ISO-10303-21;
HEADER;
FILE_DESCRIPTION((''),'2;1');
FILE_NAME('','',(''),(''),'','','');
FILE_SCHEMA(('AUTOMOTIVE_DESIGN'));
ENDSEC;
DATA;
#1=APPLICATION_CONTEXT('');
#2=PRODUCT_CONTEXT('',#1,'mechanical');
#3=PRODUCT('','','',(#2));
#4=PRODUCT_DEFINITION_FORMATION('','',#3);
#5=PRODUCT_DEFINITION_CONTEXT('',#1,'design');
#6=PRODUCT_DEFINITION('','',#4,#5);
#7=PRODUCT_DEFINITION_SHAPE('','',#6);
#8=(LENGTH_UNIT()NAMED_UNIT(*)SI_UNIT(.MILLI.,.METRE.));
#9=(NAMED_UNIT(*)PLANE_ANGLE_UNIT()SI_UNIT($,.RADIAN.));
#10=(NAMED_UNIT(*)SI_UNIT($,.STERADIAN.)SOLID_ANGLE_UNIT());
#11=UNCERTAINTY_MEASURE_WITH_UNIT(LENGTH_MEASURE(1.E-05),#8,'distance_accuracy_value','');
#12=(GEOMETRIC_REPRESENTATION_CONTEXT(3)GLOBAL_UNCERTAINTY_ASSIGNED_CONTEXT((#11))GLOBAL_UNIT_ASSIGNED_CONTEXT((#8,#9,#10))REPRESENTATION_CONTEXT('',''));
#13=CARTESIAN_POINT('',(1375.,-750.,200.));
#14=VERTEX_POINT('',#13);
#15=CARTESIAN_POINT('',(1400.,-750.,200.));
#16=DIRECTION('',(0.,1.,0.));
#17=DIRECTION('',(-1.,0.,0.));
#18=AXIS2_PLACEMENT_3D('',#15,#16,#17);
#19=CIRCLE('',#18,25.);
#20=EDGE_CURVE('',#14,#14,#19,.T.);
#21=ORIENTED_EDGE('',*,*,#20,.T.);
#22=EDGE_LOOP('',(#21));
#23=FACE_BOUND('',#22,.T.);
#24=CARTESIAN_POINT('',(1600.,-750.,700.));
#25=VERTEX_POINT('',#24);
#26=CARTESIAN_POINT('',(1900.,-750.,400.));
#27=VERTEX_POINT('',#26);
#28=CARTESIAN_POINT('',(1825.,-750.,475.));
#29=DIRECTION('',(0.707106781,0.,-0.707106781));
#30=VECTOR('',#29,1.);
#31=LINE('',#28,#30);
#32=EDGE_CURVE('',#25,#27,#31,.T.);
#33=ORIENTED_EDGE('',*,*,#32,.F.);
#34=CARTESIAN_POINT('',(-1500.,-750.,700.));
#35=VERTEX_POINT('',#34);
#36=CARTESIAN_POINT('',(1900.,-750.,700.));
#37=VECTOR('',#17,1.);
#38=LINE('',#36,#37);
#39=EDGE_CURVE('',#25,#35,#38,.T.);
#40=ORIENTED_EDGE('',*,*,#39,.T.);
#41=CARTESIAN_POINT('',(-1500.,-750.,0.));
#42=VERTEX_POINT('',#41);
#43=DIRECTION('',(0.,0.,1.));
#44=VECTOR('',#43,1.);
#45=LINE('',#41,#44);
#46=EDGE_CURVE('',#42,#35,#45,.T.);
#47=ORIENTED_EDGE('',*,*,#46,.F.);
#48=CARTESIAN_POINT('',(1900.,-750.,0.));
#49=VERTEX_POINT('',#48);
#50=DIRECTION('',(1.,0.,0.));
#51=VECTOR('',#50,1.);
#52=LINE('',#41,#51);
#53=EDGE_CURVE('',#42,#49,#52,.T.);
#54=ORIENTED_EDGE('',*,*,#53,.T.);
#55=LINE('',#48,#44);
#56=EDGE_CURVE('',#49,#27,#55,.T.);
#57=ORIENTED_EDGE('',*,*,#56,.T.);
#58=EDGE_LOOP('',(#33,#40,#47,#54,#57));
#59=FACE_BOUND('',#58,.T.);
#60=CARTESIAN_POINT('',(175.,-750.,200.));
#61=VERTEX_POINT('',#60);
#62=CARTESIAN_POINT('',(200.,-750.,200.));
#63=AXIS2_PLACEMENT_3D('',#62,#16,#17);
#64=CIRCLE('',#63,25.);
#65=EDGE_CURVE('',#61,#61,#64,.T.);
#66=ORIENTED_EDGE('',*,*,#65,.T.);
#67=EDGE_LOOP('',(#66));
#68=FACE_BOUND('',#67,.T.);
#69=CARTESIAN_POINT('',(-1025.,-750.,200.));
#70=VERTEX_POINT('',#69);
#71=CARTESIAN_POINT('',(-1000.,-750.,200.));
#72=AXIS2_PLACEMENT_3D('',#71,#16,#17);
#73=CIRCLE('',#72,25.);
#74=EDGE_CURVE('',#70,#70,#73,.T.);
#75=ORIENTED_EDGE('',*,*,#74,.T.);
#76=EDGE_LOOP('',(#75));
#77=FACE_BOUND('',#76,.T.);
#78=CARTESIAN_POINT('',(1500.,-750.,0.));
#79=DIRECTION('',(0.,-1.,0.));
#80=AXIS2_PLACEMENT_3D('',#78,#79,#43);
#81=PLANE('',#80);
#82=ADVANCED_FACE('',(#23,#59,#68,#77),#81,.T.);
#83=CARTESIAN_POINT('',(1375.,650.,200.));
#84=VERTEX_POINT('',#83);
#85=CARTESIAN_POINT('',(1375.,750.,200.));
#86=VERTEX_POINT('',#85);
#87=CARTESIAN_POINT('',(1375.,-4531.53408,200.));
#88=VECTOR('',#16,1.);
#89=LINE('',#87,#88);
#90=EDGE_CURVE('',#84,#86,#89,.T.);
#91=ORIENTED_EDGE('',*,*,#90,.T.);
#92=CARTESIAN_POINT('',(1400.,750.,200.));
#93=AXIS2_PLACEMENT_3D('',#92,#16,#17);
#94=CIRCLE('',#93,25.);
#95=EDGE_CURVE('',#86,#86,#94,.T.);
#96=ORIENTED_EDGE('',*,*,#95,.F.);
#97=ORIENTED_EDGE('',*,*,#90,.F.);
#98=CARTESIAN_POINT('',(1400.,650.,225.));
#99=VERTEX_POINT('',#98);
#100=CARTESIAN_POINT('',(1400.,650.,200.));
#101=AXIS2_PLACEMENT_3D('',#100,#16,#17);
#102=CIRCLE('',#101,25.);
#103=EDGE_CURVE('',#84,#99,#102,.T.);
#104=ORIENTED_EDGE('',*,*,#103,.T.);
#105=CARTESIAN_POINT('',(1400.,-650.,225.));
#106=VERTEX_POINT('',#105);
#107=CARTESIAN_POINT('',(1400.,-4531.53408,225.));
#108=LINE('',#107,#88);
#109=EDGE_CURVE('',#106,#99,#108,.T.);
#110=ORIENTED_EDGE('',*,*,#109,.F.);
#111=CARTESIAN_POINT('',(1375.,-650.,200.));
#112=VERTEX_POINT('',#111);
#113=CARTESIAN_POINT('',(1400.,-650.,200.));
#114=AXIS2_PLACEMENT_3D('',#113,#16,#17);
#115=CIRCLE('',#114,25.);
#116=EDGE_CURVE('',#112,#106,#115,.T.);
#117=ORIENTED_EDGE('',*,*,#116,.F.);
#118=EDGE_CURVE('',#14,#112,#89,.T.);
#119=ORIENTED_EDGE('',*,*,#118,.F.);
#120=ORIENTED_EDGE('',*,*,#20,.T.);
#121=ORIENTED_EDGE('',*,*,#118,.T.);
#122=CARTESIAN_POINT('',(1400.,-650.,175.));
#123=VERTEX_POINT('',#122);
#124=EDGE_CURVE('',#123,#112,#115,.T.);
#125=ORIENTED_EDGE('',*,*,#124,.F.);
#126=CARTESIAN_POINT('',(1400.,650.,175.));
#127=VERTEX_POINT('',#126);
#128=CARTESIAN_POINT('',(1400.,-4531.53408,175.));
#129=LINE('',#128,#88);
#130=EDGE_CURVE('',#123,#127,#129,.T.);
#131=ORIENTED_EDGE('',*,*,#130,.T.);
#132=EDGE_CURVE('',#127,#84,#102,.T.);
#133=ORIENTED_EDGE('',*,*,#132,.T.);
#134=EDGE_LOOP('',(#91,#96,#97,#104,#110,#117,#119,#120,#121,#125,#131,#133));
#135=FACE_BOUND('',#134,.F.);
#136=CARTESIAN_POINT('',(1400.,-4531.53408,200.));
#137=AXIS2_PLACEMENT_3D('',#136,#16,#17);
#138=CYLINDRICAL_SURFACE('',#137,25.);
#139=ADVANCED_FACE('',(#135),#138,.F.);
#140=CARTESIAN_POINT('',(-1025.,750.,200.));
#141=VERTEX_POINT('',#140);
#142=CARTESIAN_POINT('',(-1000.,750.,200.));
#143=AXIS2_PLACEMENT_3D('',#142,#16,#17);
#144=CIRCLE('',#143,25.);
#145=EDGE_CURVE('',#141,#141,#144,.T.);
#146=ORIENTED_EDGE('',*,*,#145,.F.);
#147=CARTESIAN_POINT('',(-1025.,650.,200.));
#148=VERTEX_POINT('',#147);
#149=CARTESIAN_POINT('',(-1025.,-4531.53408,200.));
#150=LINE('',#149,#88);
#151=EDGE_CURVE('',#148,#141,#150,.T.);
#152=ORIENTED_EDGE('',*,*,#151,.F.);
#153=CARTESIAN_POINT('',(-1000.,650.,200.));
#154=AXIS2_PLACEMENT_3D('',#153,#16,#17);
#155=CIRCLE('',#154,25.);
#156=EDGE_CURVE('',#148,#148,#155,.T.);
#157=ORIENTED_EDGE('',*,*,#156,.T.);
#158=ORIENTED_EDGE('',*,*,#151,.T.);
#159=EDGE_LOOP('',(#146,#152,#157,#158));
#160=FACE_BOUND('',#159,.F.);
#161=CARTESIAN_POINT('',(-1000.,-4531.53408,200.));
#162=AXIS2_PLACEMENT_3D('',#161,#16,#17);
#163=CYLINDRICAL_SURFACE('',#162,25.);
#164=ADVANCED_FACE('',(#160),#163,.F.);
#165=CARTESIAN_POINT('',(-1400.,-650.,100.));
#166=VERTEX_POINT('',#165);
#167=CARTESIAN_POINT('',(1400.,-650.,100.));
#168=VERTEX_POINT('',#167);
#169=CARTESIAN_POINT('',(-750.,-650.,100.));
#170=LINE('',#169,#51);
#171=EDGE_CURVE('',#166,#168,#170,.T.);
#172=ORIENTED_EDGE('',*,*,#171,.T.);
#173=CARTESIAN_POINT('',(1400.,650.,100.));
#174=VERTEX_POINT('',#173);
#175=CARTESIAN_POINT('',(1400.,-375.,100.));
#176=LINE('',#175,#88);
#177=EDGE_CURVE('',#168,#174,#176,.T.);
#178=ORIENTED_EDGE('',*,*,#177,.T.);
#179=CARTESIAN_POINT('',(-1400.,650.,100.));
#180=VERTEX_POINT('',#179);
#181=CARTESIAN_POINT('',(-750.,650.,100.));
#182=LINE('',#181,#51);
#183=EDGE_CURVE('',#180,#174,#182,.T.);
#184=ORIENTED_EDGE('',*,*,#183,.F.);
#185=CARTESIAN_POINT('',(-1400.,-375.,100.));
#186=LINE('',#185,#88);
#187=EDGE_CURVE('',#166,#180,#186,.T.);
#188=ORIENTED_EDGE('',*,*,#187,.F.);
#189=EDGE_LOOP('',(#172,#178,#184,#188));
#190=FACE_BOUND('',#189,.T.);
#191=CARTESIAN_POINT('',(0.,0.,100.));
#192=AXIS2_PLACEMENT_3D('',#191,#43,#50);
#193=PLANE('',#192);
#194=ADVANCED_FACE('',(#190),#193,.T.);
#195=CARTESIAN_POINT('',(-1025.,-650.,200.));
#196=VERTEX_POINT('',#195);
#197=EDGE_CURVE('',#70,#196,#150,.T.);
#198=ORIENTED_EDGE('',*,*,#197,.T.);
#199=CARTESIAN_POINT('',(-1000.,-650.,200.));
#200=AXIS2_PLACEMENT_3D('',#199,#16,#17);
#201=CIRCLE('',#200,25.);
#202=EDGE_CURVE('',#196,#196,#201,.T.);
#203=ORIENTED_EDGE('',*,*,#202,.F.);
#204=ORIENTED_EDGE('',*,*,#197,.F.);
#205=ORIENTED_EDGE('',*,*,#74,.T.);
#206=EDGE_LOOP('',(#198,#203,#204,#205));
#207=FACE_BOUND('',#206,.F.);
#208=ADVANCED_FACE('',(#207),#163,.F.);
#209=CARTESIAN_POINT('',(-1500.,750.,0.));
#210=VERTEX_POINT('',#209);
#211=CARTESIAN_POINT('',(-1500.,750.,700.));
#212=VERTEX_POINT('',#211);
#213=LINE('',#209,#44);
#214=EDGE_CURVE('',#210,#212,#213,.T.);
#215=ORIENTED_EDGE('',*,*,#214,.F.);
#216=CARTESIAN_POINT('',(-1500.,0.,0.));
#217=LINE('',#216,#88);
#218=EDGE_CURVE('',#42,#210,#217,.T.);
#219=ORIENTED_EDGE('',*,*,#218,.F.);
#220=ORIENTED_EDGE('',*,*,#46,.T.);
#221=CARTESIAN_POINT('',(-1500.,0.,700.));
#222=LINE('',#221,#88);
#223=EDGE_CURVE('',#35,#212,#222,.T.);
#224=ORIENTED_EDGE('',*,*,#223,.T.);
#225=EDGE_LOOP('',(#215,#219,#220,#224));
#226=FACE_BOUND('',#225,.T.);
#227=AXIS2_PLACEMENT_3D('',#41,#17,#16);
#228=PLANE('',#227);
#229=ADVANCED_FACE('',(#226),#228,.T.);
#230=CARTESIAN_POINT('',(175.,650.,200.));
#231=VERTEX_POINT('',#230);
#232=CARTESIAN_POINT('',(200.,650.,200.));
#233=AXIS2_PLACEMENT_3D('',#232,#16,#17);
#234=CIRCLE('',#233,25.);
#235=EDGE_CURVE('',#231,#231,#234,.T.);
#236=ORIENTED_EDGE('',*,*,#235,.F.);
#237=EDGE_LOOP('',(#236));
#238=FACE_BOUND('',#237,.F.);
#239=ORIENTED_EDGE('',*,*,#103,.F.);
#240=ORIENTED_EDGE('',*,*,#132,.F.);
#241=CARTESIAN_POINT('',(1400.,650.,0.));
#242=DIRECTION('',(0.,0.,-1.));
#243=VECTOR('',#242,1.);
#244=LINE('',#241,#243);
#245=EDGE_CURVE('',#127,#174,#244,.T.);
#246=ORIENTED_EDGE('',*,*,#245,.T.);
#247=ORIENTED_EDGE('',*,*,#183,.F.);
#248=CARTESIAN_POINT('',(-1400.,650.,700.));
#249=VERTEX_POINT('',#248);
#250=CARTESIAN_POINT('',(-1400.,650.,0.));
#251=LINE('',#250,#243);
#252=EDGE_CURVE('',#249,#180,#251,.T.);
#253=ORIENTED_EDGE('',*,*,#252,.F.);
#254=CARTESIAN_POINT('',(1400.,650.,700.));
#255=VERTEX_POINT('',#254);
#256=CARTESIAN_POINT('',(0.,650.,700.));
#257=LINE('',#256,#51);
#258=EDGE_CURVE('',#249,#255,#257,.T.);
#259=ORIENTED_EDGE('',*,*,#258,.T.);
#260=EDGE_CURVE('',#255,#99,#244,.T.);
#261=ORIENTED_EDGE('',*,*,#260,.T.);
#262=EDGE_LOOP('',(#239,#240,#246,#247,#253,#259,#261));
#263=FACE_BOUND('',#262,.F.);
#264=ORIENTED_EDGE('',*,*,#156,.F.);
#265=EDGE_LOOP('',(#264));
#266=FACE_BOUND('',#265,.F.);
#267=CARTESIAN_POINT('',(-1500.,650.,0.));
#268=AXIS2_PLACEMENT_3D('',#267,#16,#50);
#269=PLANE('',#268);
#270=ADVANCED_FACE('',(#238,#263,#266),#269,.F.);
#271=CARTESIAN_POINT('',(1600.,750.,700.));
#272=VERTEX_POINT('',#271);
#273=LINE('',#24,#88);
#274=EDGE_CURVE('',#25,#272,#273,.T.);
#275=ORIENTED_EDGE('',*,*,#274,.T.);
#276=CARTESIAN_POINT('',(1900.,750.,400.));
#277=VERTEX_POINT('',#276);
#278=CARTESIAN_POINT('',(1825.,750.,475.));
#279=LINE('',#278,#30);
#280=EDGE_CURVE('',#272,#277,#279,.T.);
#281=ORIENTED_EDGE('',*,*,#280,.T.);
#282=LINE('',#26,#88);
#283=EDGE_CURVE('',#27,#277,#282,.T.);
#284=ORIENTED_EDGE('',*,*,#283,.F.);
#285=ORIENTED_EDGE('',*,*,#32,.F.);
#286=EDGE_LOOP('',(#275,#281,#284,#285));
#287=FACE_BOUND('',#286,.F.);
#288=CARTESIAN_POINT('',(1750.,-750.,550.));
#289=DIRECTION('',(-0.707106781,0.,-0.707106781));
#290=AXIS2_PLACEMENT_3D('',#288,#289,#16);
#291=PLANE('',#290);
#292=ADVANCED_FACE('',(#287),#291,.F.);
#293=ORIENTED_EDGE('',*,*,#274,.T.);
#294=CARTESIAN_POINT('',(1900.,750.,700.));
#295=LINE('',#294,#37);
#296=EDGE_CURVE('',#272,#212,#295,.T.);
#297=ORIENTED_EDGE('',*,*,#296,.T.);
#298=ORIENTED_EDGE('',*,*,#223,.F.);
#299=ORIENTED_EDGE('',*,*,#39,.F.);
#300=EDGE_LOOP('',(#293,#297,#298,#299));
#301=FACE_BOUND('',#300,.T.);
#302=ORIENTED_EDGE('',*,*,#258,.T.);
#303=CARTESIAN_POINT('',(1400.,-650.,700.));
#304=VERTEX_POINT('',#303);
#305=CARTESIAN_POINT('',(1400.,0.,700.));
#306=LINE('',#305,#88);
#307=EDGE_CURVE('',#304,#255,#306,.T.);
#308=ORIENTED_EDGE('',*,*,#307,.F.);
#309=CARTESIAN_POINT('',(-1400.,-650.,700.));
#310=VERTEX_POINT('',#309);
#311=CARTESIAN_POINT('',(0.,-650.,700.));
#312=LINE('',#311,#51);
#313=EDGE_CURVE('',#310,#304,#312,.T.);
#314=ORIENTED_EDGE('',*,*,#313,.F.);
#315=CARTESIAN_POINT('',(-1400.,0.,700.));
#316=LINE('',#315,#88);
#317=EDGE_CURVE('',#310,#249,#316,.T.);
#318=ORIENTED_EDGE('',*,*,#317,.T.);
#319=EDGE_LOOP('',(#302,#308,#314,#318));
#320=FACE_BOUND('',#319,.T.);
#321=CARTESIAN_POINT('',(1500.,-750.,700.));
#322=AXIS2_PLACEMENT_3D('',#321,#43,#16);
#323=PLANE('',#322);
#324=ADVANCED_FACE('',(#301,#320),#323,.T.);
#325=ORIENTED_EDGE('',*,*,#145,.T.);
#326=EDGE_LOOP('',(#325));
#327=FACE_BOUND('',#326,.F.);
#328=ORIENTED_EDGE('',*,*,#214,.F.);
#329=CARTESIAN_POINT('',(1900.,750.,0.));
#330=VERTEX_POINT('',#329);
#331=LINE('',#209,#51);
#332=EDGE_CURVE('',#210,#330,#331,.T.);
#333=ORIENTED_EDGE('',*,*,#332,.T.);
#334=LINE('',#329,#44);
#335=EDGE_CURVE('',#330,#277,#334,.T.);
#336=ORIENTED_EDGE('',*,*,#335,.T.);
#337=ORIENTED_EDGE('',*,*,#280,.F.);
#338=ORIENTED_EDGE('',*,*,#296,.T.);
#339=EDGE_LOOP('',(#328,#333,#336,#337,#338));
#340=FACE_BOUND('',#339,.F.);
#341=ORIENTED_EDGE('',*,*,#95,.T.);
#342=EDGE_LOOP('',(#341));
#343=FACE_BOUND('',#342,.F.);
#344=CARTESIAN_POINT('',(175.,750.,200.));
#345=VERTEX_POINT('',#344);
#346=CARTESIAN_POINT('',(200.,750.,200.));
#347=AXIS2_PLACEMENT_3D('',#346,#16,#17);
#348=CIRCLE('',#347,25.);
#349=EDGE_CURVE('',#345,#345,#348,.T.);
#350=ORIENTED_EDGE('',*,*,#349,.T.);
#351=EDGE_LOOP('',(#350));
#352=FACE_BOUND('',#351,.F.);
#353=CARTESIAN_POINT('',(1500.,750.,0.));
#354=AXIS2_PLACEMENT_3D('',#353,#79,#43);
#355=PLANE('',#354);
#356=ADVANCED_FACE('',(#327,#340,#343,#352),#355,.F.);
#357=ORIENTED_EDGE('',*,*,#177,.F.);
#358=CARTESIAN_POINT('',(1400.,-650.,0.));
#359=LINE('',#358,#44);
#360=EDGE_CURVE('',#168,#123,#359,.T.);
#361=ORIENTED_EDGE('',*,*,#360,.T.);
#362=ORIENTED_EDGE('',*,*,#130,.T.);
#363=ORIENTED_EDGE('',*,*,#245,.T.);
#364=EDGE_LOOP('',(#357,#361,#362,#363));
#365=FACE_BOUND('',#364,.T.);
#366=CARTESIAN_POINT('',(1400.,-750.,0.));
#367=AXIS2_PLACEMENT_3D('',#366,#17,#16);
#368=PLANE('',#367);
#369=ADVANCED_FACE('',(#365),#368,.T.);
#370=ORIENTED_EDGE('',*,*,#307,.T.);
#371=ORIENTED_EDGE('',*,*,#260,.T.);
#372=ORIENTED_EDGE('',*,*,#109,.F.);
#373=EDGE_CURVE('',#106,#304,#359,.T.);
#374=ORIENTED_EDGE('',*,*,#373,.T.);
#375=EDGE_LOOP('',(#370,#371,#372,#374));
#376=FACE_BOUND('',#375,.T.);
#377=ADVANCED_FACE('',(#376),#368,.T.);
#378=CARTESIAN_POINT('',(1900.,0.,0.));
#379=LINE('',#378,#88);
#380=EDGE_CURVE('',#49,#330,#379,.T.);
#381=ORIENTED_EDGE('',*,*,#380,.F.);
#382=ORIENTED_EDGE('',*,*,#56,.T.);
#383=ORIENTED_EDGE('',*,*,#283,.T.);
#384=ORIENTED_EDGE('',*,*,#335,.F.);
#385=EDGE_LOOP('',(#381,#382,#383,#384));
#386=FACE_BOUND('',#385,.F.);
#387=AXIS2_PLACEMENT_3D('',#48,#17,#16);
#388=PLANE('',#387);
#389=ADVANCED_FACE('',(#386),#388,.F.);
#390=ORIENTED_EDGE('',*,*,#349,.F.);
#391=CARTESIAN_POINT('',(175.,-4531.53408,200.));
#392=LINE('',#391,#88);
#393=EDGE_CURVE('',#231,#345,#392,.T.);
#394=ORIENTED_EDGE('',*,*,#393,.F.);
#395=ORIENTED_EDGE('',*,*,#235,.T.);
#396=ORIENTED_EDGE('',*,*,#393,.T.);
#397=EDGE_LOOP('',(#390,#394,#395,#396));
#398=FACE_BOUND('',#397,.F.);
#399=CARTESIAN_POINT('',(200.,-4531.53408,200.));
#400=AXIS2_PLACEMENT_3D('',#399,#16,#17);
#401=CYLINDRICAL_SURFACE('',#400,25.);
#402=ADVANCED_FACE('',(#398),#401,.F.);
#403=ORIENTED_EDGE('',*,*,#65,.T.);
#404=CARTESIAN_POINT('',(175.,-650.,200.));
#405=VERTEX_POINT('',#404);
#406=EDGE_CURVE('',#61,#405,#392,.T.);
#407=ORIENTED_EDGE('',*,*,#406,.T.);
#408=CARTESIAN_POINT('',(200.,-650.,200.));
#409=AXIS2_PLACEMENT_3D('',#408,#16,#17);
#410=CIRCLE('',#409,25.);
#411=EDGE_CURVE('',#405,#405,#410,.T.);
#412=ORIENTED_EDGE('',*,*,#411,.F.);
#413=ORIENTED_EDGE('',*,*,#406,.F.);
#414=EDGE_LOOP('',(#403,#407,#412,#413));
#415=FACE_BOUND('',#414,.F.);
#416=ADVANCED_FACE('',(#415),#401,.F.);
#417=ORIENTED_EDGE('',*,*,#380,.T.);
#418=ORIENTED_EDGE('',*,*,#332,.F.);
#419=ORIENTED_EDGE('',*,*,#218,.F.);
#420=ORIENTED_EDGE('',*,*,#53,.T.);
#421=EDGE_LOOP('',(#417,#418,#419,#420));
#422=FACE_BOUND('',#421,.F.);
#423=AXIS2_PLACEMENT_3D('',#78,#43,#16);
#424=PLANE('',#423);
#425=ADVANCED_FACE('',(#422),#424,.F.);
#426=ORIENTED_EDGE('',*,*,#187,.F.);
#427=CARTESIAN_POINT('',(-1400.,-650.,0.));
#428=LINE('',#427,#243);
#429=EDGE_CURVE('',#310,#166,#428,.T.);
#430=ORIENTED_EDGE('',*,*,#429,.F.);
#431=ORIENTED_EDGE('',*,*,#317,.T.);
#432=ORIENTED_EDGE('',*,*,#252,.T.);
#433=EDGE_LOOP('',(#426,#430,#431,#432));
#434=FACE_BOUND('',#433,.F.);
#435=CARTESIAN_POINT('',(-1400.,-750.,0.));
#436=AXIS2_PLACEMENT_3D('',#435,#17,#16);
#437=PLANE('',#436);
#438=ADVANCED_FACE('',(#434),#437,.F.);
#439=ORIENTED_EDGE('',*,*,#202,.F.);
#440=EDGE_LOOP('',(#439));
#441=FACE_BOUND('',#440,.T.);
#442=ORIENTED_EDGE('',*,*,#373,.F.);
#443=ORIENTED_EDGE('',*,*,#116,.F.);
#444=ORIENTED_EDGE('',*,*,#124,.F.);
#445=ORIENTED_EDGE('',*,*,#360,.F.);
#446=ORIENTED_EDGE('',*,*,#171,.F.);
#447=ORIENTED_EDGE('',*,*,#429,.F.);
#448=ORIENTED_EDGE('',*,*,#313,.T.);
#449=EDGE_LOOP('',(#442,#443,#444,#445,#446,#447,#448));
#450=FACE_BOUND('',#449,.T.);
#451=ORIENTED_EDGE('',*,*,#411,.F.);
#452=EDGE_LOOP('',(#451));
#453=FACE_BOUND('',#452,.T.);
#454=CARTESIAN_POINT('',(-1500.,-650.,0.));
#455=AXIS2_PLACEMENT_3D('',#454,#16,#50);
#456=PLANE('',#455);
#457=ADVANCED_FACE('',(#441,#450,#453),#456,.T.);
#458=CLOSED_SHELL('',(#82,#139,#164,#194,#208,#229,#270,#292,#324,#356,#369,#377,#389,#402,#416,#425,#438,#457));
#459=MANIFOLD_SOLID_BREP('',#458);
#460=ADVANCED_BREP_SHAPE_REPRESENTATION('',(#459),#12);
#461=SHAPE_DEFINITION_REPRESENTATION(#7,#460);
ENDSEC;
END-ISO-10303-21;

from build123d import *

# Parameters (mm, degrees)
F0_W     = 3000
F0_H     = 1500
F1_DEPTH = 700
F2_T     = -100
F3_DEPTH = 400
F4_SIZE  = 300
F6_D     = 50


with BuildPart() as f1:
    # F0 (on Top) → F1 (new body)
    with BuildSketch(Plane.XY):
        Rectangle(F0_W, F0_H)
    extrude(amount=F1_DEPTH)

    # F2
    f2_openings = [f1.faces().sort_by_distance(p)[0] for p in [
        (0, 0, 700),
    ]]
    offset(amount=F2_T, openings=f2_openings)

    # F3 (add): a face of the model
    f3_faces = [f1.faces().sort_by_distance(p)[0] for p in [
        (1500, 0, 350),
    ]]
    extrude(f3_faces, amount=F3_DEPTH)

    # F4
    f4_edges = [f1.edges().sort_by_distance(p)[0] for p in [
        (1900, 0, 700),
    ]]
    chamfer(f4_edges, length=F4_SIZE)

    # F6 (through all)
    with Locations(Plane.XZ.offset(750)):
        with Locations((200, 200), (-1000, 200), (1400, 200)):
            Hole(F6_D / 2)


solid = f1.part
